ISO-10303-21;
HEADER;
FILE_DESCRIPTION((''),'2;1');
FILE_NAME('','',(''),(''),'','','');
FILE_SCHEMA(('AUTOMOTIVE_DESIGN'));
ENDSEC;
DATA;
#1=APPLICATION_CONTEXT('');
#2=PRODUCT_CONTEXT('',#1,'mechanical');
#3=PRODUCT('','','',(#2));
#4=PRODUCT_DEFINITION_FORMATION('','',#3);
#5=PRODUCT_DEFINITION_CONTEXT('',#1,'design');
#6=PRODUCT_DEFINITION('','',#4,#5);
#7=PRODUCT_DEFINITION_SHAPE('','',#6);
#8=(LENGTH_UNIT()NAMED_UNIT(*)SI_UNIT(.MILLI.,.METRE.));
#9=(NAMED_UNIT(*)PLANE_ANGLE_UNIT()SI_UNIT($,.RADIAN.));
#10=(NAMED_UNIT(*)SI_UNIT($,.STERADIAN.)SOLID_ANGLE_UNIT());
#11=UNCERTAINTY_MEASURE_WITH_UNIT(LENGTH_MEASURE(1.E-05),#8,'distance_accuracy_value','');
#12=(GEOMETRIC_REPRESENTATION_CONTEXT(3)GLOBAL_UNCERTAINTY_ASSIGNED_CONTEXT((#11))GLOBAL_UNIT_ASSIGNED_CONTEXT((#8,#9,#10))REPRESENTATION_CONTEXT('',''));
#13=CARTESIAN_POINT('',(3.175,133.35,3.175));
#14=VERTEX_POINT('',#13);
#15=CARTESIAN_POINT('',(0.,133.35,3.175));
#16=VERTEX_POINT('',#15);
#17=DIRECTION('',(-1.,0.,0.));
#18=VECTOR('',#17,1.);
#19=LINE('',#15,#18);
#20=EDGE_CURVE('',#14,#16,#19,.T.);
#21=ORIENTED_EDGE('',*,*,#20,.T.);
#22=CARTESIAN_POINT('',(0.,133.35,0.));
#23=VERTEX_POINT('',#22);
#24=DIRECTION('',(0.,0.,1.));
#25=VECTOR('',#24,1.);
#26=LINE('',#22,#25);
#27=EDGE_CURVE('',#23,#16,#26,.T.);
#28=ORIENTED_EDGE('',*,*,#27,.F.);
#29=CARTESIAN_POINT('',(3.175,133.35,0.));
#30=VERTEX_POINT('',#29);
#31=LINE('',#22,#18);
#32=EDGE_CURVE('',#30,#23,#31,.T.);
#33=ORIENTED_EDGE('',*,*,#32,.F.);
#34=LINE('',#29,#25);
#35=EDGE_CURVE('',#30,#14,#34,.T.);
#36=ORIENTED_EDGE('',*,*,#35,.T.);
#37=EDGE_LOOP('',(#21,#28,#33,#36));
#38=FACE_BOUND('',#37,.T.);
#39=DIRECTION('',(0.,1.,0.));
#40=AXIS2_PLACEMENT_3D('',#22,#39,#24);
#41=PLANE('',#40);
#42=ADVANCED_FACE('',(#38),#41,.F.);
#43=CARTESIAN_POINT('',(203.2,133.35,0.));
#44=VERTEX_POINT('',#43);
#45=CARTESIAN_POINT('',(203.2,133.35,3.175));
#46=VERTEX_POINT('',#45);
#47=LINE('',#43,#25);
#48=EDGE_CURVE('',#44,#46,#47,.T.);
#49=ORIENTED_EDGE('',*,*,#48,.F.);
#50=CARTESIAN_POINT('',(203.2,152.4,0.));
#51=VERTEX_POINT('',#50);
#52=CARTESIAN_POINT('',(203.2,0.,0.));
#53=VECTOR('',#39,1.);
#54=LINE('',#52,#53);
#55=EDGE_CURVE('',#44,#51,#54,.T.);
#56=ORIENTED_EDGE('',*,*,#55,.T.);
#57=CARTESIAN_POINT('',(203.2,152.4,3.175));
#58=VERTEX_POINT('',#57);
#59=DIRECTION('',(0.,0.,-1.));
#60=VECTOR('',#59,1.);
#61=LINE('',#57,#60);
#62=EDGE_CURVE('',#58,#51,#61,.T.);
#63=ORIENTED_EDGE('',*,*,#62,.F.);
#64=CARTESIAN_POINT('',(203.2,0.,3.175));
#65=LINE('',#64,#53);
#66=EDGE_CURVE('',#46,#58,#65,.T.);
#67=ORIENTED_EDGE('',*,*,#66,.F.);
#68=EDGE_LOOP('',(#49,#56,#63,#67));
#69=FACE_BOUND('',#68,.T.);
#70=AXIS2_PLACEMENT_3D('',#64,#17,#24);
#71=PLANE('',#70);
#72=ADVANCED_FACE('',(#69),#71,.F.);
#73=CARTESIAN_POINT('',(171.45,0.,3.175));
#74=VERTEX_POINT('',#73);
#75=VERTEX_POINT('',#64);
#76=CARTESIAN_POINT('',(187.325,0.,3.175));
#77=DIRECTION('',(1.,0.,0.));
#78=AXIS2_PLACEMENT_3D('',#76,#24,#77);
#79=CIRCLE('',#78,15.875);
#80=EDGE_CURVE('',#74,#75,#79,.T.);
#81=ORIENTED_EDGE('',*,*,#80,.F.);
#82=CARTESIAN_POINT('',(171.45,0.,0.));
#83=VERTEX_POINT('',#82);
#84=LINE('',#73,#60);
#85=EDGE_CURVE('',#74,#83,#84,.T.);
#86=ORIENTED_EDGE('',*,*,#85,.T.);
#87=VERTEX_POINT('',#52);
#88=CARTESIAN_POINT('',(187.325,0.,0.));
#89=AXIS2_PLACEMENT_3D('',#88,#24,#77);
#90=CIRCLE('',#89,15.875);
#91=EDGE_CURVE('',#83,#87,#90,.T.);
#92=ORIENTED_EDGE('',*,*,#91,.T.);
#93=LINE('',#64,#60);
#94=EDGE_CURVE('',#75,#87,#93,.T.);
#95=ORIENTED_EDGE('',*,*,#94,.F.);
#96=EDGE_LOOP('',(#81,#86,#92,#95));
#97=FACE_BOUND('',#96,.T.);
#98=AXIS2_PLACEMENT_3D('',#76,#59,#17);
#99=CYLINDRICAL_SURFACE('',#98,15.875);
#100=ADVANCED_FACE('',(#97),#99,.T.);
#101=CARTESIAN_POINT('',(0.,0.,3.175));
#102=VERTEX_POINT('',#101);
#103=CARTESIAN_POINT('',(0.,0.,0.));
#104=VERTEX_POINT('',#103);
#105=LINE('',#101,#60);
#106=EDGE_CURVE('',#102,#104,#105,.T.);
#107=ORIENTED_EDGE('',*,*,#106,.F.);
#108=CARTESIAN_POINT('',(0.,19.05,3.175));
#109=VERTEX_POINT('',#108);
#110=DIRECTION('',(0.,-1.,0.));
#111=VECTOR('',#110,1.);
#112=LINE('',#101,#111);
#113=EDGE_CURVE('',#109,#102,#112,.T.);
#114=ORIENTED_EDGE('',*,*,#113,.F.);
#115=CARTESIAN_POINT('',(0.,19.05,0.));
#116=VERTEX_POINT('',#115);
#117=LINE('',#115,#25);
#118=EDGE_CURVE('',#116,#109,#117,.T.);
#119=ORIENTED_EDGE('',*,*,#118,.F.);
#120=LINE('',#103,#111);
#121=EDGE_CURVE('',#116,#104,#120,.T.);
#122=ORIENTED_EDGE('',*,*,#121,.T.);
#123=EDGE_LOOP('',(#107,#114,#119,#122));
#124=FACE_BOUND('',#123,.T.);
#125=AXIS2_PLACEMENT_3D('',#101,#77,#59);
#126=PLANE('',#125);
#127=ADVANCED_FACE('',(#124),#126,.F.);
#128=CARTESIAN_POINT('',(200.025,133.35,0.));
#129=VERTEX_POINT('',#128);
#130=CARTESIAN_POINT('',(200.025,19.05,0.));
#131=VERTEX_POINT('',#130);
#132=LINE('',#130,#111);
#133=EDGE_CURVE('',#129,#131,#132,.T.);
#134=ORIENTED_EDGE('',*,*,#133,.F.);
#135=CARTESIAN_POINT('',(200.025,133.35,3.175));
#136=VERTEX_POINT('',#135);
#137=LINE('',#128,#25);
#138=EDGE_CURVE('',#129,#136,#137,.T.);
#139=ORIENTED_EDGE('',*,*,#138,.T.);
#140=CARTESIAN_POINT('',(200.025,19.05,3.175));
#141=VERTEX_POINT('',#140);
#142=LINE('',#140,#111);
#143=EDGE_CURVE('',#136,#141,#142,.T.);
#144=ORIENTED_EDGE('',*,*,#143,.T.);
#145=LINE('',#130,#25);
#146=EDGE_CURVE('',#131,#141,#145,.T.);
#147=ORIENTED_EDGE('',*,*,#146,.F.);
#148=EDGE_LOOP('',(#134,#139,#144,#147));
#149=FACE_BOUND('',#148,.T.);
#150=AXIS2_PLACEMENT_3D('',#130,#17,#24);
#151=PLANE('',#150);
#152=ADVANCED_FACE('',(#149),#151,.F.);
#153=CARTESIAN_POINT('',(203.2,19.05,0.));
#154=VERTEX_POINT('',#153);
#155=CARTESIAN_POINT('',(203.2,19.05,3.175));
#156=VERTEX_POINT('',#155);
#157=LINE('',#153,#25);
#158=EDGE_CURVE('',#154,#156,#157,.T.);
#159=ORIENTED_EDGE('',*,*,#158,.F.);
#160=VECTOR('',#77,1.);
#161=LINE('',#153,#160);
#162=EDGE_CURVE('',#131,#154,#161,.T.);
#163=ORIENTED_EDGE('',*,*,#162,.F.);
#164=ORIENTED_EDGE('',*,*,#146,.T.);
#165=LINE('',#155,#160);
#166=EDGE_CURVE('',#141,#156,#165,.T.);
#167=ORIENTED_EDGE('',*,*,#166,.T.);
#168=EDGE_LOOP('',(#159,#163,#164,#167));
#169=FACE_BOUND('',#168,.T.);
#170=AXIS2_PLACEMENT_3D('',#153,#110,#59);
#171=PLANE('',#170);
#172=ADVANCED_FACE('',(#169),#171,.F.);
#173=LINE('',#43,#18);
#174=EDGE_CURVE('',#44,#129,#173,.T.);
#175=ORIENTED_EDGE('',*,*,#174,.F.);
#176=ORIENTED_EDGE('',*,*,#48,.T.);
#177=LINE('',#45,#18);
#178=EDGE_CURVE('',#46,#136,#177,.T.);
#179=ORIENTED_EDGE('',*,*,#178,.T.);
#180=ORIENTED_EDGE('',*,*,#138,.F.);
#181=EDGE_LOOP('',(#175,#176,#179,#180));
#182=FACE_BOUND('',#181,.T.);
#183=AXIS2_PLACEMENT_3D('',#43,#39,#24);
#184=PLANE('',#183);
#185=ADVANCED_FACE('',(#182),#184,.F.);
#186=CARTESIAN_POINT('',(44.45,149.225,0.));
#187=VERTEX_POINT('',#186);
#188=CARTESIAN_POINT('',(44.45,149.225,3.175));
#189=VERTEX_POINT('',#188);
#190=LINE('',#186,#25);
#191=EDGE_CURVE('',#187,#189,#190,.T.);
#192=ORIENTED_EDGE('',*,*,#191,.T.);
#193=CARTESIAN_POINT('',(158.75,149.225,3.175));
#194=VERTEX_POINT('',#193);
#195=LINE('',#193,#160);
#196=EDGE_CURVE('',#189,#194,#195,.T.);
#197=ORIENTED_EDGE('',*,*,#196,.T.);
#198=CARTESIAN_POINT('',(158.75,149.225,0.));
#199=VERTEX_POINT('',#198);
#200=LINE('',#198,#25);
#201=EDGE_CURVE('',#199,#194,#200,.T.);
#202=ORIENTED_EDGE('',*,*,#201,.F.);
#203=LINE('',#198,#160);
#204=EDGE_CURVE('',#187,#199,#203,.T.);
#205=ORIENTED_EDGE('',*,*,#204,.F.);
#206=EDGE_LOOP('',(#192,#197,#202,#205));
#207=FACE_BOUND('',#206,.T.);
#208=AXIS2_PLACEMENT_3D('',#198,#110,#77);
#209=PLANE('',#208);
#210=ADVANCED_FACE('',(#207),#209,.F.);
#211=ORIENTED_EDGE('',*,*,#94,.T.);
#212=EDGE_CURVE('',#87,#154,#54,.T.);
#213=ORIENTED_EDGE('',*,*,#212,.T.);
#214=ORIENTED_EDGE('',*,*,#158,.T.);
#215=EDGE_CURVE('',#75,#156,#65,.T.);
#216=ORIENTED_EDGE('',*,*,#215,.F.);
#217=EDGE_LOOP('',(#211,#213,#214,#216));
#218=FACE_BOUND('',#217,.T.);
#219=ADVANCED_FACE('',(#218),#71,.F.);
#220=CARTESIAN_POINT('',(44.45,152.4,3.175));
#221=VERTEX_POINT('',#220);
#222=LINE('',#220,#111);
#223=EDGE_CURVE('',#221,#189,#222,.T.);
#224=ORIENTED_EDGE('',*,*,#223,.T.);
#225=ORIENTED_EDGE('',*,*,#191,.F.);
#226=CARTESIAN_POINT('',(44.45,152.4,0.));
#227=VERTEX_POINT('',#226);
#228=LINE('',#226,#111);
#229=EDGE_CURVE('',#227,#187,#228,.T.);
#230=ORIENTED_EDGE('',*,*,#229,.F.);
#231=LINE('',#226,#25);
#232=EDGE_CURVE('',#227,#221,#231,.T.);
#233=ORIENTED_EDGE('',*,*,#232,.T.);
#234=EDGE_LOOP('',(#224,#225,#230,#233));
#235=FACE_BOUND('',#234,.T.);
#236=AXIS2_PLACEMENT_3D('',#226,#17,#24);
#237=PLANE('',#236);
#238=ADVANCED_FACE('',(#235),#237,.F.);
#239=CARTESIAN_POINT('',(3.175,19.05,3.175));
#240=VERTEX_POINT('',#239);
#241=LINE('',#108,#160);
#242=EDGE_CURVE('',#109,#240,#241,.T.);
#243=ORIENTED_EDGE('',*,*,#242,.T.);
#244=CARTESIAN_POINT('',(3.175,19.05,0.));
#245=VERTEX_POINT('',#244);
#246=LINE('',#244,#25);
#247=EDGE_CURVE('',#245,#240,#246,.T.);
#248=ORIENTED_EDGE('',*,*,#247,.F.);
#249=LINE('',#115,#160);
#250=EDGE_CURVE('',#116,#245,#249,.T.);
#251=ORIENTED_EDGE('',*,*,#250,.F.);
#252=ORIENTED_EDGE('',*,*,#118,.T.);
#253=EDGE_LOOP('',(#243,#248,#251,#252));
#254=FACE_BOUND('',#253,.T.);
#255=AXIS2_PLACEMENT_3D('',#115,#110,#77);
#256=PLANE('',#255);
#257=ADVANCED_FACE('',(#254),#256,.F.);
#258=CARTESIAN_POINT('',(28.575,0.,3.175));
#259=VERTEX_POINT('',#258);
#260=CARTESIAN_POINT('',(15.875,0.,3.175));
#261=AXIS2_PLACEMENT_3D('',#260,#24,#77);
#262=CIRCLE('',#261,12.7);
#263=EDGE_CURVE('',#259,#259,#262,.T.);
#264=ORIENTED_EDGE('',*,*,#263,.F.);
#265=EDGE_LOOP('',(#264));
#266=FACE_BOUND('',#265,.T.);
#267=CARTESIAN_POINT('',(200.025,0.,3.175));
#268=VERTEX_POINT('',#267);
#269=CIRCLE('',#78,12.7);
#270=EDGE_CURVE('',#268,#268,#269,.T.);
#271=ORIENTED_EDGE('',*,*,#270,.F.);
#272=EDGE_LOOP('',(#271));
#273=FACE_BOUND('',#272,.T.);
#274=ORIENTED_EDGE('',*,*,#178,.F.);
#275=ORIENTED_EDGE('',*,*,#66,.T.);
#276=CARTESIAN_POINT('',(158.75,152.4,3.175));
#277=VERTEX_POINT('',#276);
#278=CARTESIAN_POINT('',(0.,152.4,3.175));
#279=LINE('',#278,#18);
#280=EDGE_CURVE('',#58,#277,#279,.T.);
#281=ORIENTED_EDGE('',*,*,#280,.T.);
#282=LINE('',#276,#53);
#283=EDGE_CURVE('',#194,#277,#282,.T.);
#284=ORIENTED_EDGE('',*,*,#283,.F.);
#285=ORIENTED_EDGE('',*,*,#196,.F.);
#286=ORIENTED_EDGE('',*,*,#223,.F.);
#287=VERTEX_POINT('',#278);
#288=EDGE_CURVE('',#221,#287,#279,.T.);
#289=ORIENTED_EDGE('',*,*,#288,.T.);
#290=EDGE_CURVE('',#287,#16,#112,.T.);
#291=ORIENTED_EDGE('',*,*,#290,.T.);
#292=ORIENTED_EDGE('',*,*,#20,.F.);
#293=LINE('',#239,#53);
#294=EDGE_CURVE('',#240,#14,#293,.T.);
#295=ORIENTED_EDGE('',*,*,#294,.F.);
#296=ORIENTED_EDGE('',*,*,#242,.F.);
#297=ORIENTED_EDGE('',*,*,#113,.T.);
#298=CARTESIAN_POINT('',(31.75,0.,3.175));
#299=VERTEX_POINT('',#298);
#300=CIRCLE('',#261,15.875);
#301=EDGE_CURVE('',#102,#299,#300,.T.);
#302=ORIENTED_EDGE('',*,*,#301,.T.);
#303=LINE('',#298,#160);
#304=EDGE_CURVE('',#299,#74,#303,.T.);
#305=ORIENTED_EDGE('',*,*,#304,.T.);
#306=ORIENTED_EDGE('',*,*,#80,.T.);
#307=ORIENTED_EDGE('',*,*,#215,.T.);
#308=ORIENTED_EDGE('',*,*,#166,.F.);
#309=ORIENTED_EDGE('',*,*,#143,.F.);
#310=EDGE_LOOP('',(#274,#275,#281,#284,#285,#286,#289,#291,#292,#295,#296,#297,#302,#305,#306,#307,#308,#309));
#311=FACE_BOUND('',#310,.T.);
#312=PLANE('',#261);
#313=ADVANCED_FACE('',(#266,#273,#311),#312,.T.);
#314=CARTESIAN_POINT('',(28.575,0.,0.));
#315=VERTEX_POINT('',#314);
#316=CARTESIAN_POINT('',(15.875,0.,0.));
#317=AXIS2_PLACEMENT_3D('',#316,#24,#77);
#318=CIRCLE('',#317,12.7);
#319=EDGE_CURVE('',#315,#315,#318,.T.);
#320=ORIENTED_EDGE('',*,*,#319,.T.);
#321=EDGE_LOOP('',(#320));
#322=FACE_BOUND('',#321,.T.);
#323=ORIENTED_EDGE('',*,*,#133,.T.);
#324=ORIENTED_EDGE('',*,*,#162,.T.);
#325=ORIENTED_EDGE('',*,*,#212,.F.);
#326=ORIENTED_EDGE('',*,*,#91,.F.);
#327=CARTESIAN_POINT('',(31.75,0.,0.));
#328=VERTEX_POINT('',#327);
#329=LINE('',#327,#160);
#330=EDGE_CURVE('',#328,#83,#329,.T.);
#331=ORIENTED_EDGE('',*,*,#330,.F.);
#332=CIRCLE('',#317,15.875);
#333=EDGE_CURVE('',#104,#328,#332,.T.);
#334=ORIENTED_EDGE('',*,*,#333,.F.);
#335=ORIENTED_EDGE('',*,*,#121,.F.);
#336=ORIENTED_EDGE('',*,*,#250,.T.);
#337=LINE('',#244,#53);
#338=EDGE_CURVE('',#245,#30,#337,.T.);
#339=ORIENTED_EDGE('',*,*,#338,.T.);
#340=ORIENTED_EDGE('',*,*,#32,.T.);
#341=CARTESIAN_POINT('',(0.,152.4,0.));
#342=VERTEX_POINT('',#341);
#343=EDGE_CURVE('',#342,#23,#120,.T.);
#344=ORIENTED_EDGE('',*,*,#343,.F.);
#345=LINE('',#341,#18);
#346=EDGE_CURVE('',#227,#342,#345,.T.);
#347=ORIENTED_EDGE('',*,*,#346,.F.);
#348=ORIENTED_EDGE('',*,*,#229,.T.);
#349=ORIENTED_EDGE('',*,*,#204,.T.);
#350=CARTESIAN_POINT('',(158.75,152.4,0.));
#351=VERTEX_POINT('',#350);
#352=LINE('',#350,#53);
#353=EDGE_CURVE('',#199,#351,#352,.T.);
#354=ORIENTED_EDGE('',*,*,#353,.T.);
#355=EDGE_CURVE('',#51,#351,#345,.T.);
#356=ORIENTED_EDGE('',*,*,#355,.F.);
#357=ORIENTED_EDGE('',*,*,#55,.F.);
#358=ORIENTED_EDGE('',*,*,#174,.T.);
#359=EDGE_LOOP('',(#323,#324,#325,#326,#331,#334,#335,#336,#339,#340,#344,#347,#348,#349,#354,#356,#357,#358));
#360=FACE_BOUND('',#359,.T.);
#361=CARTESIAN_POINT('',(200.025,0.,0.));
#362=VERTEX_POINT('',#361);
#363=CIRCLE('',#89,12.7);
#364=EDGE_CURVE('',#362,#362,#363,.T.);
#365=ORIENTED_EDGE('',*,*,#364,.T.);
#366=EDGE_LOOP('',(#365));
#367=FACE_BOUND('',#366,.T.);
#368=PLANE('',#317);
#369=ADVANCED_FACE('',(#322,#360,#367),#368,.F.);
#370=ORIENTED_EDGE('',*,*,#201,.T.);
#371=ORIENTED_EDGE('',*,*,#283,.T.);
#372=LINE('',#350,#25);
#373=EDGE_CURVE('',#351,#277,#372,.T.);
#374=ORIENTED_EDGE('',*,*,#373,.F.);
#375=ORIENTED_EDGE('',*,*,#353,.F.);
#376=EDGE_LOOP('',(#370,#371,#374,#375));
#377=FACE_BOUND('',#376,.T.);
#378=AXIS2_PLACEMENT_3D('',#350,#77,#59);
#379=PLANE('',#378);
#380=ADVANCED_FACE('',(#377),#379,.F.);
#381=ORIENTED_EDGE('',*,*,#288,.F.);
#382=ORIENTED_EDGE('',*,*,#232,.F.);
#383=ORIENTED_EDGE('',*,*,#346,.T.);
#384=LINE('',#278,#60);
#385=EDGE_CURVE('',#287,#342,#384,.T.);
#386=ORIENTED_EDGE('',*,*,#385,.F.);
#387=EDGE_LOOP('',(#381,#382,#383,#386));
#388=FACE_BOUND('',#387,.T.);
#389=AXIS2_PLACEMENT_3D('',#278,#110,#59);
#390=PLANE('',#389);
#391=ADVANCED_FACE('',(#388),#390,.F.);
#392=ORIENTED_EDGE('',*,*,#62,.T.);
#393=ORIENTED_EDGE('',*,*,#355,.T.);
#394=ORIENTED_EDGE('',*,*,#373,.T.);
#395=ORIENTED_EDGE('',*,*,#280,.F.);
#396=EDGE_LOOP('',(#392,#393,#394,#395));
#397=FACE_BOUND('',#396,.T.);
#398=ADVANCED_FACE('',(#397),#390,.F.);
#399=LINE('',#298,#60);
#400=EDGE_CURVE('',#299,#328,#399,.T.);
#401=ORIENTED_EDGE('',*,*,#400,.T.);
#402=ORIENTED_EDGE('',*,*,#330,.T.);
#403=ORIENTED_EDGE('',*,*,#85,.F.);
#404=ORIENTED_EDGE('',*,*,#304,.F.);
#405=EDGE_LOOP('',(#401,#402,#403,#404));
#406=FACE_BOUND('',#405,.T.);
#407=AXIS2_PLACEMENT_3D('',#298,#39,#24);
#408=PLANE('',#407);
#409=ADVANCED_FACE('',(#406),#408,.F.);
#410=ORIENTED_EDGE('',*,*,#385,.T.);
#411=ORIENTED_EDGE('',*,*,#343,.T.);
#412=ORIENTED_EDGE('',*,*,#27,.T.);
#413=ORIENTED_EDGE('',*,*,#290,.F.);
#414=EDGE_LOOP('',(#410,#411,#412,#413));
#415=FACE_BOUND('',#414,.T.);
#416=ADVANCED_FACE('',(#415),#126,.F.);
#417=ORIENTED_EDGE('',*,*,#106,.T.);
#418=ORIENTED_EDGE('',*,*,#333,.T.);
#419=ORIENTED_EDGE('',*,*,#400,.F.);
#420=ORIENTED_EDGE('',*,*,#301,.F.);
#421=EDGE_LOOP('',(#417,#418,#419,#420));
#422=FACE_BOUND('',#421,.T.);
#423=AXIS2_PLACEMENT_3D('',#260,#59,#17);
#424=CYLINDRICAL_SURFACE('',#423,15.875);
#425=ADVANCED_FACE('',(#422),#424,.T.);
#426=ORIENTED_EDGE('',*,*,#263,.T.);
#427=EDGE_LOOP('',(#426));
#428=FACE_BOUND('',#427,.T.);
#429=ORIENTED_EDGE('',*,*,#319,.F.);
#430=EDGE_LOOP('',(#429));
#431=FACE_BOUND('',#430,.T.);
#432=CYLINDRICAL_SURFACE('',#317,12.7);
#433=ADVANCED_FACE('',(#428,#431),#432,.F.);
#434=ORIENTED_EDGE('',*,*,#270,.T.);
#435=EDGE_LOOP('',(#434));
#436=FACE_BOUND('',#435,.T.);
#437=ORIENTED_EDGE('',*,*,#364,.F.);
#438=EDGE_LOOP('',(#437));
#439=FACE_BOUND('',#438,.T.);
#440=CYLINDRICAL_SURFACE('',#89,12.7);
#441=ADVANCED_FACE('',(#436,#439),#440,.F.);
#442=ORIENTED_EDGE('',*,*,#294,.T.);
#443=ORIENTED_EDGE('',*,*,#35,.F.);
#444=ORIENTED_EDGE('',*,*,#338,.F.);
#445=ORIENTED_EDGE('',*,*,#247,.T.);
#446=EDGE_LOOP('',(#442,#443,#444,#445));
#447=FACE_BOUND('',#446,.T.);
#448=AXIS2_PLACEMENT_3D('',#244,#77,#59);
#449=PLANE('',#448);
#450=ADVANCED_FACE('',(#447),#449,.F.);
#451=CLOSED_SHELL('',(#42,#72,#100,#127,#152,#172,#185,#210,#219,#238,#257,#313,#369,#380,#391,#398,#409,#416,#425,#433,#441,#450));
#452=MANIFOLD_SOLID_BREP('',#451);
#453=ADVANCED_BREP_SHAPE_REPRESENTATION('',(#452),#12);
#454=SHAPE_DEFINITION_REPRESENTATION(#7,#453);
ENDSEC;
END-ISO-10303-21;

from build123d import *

# Parameters (mm, degrees)
BOSS_EXTRUDE1_DEPTH     = 3.175
SKETCH2_R               = 12.7
CUT_EXTRUDE1_DEPTH      = 1
CUT_EXTRUDE1_DEPTH_BACK = 4.175
SKETCH3_W               = 3.175
SKETCH3_H               = 114.3
SKETCH3_W_2             = 114.3
SKETCH3_H_2             = 3.175
CUT_EXTRUDE2_DEPTH      = 4.175


with BuildPart() as part:
    # Sketch1 → Boss-Extrude1 (new body)
    with BuildSketch(Plane.XY):
        with BuildLine():
            Line((0, 0), (0, 152.4))
            Line((0, 152.4), (203.2, 152.4))
            Line((203.2, 152.4), (203.2, 0))
            ThreePointArc((203.2, 0), (187.325, -15.875), (171.45, 0))
            Line((171.45, 0), (31.75, 0))
            ThreePointArc((31.75, 0), (15.875, -15.875), (0, 0))
        make_face()
    extrude(amount=BOSS_EXTRUDE1_DEPTH)

    # Sketch2 → Cut-Extrude1 (cut, two sides)
    with BuildSketch(Plane.XY.offset(3.175)) as cut_extrude1_sk:
        with Locations((15.875, 0)):
            Circle(SKETCH2_R)
        with Locations((187.325, 0)):
            Circle(SKETCH2_R)
    extrude(amount=CUT_EXTRUDE1_DEPTH, mode=Mode.SUBTRACT)
    extrude(cut_extrude1_sk.sketch, amount=-CUT_EXTRUDE1_DEPTH_BACK, mode=Mode.SUBTRACT)

    # Sketch3 → Cut-Extrude2 (cut, through all)
    with BuildSketch(Plane.XY.offset(3.175)):
        with Locations((201.6125, 76.2)):
            Rectangle(SKETCH3_W, SKETCH3_H)
        with Locations((1.5875, 76.2)):
            Rectangle(SKETCH3_W, SKETCH3_H)
        with Locations((101.6, 150.8125)):
            Rectangle(SKETCH3_W_2, SKETCH3_H_2)
    extrude(amount=-CUT_EXTRUDE2_DEPTH, mode=Mode.SUBTRACT)


solid = part.part
